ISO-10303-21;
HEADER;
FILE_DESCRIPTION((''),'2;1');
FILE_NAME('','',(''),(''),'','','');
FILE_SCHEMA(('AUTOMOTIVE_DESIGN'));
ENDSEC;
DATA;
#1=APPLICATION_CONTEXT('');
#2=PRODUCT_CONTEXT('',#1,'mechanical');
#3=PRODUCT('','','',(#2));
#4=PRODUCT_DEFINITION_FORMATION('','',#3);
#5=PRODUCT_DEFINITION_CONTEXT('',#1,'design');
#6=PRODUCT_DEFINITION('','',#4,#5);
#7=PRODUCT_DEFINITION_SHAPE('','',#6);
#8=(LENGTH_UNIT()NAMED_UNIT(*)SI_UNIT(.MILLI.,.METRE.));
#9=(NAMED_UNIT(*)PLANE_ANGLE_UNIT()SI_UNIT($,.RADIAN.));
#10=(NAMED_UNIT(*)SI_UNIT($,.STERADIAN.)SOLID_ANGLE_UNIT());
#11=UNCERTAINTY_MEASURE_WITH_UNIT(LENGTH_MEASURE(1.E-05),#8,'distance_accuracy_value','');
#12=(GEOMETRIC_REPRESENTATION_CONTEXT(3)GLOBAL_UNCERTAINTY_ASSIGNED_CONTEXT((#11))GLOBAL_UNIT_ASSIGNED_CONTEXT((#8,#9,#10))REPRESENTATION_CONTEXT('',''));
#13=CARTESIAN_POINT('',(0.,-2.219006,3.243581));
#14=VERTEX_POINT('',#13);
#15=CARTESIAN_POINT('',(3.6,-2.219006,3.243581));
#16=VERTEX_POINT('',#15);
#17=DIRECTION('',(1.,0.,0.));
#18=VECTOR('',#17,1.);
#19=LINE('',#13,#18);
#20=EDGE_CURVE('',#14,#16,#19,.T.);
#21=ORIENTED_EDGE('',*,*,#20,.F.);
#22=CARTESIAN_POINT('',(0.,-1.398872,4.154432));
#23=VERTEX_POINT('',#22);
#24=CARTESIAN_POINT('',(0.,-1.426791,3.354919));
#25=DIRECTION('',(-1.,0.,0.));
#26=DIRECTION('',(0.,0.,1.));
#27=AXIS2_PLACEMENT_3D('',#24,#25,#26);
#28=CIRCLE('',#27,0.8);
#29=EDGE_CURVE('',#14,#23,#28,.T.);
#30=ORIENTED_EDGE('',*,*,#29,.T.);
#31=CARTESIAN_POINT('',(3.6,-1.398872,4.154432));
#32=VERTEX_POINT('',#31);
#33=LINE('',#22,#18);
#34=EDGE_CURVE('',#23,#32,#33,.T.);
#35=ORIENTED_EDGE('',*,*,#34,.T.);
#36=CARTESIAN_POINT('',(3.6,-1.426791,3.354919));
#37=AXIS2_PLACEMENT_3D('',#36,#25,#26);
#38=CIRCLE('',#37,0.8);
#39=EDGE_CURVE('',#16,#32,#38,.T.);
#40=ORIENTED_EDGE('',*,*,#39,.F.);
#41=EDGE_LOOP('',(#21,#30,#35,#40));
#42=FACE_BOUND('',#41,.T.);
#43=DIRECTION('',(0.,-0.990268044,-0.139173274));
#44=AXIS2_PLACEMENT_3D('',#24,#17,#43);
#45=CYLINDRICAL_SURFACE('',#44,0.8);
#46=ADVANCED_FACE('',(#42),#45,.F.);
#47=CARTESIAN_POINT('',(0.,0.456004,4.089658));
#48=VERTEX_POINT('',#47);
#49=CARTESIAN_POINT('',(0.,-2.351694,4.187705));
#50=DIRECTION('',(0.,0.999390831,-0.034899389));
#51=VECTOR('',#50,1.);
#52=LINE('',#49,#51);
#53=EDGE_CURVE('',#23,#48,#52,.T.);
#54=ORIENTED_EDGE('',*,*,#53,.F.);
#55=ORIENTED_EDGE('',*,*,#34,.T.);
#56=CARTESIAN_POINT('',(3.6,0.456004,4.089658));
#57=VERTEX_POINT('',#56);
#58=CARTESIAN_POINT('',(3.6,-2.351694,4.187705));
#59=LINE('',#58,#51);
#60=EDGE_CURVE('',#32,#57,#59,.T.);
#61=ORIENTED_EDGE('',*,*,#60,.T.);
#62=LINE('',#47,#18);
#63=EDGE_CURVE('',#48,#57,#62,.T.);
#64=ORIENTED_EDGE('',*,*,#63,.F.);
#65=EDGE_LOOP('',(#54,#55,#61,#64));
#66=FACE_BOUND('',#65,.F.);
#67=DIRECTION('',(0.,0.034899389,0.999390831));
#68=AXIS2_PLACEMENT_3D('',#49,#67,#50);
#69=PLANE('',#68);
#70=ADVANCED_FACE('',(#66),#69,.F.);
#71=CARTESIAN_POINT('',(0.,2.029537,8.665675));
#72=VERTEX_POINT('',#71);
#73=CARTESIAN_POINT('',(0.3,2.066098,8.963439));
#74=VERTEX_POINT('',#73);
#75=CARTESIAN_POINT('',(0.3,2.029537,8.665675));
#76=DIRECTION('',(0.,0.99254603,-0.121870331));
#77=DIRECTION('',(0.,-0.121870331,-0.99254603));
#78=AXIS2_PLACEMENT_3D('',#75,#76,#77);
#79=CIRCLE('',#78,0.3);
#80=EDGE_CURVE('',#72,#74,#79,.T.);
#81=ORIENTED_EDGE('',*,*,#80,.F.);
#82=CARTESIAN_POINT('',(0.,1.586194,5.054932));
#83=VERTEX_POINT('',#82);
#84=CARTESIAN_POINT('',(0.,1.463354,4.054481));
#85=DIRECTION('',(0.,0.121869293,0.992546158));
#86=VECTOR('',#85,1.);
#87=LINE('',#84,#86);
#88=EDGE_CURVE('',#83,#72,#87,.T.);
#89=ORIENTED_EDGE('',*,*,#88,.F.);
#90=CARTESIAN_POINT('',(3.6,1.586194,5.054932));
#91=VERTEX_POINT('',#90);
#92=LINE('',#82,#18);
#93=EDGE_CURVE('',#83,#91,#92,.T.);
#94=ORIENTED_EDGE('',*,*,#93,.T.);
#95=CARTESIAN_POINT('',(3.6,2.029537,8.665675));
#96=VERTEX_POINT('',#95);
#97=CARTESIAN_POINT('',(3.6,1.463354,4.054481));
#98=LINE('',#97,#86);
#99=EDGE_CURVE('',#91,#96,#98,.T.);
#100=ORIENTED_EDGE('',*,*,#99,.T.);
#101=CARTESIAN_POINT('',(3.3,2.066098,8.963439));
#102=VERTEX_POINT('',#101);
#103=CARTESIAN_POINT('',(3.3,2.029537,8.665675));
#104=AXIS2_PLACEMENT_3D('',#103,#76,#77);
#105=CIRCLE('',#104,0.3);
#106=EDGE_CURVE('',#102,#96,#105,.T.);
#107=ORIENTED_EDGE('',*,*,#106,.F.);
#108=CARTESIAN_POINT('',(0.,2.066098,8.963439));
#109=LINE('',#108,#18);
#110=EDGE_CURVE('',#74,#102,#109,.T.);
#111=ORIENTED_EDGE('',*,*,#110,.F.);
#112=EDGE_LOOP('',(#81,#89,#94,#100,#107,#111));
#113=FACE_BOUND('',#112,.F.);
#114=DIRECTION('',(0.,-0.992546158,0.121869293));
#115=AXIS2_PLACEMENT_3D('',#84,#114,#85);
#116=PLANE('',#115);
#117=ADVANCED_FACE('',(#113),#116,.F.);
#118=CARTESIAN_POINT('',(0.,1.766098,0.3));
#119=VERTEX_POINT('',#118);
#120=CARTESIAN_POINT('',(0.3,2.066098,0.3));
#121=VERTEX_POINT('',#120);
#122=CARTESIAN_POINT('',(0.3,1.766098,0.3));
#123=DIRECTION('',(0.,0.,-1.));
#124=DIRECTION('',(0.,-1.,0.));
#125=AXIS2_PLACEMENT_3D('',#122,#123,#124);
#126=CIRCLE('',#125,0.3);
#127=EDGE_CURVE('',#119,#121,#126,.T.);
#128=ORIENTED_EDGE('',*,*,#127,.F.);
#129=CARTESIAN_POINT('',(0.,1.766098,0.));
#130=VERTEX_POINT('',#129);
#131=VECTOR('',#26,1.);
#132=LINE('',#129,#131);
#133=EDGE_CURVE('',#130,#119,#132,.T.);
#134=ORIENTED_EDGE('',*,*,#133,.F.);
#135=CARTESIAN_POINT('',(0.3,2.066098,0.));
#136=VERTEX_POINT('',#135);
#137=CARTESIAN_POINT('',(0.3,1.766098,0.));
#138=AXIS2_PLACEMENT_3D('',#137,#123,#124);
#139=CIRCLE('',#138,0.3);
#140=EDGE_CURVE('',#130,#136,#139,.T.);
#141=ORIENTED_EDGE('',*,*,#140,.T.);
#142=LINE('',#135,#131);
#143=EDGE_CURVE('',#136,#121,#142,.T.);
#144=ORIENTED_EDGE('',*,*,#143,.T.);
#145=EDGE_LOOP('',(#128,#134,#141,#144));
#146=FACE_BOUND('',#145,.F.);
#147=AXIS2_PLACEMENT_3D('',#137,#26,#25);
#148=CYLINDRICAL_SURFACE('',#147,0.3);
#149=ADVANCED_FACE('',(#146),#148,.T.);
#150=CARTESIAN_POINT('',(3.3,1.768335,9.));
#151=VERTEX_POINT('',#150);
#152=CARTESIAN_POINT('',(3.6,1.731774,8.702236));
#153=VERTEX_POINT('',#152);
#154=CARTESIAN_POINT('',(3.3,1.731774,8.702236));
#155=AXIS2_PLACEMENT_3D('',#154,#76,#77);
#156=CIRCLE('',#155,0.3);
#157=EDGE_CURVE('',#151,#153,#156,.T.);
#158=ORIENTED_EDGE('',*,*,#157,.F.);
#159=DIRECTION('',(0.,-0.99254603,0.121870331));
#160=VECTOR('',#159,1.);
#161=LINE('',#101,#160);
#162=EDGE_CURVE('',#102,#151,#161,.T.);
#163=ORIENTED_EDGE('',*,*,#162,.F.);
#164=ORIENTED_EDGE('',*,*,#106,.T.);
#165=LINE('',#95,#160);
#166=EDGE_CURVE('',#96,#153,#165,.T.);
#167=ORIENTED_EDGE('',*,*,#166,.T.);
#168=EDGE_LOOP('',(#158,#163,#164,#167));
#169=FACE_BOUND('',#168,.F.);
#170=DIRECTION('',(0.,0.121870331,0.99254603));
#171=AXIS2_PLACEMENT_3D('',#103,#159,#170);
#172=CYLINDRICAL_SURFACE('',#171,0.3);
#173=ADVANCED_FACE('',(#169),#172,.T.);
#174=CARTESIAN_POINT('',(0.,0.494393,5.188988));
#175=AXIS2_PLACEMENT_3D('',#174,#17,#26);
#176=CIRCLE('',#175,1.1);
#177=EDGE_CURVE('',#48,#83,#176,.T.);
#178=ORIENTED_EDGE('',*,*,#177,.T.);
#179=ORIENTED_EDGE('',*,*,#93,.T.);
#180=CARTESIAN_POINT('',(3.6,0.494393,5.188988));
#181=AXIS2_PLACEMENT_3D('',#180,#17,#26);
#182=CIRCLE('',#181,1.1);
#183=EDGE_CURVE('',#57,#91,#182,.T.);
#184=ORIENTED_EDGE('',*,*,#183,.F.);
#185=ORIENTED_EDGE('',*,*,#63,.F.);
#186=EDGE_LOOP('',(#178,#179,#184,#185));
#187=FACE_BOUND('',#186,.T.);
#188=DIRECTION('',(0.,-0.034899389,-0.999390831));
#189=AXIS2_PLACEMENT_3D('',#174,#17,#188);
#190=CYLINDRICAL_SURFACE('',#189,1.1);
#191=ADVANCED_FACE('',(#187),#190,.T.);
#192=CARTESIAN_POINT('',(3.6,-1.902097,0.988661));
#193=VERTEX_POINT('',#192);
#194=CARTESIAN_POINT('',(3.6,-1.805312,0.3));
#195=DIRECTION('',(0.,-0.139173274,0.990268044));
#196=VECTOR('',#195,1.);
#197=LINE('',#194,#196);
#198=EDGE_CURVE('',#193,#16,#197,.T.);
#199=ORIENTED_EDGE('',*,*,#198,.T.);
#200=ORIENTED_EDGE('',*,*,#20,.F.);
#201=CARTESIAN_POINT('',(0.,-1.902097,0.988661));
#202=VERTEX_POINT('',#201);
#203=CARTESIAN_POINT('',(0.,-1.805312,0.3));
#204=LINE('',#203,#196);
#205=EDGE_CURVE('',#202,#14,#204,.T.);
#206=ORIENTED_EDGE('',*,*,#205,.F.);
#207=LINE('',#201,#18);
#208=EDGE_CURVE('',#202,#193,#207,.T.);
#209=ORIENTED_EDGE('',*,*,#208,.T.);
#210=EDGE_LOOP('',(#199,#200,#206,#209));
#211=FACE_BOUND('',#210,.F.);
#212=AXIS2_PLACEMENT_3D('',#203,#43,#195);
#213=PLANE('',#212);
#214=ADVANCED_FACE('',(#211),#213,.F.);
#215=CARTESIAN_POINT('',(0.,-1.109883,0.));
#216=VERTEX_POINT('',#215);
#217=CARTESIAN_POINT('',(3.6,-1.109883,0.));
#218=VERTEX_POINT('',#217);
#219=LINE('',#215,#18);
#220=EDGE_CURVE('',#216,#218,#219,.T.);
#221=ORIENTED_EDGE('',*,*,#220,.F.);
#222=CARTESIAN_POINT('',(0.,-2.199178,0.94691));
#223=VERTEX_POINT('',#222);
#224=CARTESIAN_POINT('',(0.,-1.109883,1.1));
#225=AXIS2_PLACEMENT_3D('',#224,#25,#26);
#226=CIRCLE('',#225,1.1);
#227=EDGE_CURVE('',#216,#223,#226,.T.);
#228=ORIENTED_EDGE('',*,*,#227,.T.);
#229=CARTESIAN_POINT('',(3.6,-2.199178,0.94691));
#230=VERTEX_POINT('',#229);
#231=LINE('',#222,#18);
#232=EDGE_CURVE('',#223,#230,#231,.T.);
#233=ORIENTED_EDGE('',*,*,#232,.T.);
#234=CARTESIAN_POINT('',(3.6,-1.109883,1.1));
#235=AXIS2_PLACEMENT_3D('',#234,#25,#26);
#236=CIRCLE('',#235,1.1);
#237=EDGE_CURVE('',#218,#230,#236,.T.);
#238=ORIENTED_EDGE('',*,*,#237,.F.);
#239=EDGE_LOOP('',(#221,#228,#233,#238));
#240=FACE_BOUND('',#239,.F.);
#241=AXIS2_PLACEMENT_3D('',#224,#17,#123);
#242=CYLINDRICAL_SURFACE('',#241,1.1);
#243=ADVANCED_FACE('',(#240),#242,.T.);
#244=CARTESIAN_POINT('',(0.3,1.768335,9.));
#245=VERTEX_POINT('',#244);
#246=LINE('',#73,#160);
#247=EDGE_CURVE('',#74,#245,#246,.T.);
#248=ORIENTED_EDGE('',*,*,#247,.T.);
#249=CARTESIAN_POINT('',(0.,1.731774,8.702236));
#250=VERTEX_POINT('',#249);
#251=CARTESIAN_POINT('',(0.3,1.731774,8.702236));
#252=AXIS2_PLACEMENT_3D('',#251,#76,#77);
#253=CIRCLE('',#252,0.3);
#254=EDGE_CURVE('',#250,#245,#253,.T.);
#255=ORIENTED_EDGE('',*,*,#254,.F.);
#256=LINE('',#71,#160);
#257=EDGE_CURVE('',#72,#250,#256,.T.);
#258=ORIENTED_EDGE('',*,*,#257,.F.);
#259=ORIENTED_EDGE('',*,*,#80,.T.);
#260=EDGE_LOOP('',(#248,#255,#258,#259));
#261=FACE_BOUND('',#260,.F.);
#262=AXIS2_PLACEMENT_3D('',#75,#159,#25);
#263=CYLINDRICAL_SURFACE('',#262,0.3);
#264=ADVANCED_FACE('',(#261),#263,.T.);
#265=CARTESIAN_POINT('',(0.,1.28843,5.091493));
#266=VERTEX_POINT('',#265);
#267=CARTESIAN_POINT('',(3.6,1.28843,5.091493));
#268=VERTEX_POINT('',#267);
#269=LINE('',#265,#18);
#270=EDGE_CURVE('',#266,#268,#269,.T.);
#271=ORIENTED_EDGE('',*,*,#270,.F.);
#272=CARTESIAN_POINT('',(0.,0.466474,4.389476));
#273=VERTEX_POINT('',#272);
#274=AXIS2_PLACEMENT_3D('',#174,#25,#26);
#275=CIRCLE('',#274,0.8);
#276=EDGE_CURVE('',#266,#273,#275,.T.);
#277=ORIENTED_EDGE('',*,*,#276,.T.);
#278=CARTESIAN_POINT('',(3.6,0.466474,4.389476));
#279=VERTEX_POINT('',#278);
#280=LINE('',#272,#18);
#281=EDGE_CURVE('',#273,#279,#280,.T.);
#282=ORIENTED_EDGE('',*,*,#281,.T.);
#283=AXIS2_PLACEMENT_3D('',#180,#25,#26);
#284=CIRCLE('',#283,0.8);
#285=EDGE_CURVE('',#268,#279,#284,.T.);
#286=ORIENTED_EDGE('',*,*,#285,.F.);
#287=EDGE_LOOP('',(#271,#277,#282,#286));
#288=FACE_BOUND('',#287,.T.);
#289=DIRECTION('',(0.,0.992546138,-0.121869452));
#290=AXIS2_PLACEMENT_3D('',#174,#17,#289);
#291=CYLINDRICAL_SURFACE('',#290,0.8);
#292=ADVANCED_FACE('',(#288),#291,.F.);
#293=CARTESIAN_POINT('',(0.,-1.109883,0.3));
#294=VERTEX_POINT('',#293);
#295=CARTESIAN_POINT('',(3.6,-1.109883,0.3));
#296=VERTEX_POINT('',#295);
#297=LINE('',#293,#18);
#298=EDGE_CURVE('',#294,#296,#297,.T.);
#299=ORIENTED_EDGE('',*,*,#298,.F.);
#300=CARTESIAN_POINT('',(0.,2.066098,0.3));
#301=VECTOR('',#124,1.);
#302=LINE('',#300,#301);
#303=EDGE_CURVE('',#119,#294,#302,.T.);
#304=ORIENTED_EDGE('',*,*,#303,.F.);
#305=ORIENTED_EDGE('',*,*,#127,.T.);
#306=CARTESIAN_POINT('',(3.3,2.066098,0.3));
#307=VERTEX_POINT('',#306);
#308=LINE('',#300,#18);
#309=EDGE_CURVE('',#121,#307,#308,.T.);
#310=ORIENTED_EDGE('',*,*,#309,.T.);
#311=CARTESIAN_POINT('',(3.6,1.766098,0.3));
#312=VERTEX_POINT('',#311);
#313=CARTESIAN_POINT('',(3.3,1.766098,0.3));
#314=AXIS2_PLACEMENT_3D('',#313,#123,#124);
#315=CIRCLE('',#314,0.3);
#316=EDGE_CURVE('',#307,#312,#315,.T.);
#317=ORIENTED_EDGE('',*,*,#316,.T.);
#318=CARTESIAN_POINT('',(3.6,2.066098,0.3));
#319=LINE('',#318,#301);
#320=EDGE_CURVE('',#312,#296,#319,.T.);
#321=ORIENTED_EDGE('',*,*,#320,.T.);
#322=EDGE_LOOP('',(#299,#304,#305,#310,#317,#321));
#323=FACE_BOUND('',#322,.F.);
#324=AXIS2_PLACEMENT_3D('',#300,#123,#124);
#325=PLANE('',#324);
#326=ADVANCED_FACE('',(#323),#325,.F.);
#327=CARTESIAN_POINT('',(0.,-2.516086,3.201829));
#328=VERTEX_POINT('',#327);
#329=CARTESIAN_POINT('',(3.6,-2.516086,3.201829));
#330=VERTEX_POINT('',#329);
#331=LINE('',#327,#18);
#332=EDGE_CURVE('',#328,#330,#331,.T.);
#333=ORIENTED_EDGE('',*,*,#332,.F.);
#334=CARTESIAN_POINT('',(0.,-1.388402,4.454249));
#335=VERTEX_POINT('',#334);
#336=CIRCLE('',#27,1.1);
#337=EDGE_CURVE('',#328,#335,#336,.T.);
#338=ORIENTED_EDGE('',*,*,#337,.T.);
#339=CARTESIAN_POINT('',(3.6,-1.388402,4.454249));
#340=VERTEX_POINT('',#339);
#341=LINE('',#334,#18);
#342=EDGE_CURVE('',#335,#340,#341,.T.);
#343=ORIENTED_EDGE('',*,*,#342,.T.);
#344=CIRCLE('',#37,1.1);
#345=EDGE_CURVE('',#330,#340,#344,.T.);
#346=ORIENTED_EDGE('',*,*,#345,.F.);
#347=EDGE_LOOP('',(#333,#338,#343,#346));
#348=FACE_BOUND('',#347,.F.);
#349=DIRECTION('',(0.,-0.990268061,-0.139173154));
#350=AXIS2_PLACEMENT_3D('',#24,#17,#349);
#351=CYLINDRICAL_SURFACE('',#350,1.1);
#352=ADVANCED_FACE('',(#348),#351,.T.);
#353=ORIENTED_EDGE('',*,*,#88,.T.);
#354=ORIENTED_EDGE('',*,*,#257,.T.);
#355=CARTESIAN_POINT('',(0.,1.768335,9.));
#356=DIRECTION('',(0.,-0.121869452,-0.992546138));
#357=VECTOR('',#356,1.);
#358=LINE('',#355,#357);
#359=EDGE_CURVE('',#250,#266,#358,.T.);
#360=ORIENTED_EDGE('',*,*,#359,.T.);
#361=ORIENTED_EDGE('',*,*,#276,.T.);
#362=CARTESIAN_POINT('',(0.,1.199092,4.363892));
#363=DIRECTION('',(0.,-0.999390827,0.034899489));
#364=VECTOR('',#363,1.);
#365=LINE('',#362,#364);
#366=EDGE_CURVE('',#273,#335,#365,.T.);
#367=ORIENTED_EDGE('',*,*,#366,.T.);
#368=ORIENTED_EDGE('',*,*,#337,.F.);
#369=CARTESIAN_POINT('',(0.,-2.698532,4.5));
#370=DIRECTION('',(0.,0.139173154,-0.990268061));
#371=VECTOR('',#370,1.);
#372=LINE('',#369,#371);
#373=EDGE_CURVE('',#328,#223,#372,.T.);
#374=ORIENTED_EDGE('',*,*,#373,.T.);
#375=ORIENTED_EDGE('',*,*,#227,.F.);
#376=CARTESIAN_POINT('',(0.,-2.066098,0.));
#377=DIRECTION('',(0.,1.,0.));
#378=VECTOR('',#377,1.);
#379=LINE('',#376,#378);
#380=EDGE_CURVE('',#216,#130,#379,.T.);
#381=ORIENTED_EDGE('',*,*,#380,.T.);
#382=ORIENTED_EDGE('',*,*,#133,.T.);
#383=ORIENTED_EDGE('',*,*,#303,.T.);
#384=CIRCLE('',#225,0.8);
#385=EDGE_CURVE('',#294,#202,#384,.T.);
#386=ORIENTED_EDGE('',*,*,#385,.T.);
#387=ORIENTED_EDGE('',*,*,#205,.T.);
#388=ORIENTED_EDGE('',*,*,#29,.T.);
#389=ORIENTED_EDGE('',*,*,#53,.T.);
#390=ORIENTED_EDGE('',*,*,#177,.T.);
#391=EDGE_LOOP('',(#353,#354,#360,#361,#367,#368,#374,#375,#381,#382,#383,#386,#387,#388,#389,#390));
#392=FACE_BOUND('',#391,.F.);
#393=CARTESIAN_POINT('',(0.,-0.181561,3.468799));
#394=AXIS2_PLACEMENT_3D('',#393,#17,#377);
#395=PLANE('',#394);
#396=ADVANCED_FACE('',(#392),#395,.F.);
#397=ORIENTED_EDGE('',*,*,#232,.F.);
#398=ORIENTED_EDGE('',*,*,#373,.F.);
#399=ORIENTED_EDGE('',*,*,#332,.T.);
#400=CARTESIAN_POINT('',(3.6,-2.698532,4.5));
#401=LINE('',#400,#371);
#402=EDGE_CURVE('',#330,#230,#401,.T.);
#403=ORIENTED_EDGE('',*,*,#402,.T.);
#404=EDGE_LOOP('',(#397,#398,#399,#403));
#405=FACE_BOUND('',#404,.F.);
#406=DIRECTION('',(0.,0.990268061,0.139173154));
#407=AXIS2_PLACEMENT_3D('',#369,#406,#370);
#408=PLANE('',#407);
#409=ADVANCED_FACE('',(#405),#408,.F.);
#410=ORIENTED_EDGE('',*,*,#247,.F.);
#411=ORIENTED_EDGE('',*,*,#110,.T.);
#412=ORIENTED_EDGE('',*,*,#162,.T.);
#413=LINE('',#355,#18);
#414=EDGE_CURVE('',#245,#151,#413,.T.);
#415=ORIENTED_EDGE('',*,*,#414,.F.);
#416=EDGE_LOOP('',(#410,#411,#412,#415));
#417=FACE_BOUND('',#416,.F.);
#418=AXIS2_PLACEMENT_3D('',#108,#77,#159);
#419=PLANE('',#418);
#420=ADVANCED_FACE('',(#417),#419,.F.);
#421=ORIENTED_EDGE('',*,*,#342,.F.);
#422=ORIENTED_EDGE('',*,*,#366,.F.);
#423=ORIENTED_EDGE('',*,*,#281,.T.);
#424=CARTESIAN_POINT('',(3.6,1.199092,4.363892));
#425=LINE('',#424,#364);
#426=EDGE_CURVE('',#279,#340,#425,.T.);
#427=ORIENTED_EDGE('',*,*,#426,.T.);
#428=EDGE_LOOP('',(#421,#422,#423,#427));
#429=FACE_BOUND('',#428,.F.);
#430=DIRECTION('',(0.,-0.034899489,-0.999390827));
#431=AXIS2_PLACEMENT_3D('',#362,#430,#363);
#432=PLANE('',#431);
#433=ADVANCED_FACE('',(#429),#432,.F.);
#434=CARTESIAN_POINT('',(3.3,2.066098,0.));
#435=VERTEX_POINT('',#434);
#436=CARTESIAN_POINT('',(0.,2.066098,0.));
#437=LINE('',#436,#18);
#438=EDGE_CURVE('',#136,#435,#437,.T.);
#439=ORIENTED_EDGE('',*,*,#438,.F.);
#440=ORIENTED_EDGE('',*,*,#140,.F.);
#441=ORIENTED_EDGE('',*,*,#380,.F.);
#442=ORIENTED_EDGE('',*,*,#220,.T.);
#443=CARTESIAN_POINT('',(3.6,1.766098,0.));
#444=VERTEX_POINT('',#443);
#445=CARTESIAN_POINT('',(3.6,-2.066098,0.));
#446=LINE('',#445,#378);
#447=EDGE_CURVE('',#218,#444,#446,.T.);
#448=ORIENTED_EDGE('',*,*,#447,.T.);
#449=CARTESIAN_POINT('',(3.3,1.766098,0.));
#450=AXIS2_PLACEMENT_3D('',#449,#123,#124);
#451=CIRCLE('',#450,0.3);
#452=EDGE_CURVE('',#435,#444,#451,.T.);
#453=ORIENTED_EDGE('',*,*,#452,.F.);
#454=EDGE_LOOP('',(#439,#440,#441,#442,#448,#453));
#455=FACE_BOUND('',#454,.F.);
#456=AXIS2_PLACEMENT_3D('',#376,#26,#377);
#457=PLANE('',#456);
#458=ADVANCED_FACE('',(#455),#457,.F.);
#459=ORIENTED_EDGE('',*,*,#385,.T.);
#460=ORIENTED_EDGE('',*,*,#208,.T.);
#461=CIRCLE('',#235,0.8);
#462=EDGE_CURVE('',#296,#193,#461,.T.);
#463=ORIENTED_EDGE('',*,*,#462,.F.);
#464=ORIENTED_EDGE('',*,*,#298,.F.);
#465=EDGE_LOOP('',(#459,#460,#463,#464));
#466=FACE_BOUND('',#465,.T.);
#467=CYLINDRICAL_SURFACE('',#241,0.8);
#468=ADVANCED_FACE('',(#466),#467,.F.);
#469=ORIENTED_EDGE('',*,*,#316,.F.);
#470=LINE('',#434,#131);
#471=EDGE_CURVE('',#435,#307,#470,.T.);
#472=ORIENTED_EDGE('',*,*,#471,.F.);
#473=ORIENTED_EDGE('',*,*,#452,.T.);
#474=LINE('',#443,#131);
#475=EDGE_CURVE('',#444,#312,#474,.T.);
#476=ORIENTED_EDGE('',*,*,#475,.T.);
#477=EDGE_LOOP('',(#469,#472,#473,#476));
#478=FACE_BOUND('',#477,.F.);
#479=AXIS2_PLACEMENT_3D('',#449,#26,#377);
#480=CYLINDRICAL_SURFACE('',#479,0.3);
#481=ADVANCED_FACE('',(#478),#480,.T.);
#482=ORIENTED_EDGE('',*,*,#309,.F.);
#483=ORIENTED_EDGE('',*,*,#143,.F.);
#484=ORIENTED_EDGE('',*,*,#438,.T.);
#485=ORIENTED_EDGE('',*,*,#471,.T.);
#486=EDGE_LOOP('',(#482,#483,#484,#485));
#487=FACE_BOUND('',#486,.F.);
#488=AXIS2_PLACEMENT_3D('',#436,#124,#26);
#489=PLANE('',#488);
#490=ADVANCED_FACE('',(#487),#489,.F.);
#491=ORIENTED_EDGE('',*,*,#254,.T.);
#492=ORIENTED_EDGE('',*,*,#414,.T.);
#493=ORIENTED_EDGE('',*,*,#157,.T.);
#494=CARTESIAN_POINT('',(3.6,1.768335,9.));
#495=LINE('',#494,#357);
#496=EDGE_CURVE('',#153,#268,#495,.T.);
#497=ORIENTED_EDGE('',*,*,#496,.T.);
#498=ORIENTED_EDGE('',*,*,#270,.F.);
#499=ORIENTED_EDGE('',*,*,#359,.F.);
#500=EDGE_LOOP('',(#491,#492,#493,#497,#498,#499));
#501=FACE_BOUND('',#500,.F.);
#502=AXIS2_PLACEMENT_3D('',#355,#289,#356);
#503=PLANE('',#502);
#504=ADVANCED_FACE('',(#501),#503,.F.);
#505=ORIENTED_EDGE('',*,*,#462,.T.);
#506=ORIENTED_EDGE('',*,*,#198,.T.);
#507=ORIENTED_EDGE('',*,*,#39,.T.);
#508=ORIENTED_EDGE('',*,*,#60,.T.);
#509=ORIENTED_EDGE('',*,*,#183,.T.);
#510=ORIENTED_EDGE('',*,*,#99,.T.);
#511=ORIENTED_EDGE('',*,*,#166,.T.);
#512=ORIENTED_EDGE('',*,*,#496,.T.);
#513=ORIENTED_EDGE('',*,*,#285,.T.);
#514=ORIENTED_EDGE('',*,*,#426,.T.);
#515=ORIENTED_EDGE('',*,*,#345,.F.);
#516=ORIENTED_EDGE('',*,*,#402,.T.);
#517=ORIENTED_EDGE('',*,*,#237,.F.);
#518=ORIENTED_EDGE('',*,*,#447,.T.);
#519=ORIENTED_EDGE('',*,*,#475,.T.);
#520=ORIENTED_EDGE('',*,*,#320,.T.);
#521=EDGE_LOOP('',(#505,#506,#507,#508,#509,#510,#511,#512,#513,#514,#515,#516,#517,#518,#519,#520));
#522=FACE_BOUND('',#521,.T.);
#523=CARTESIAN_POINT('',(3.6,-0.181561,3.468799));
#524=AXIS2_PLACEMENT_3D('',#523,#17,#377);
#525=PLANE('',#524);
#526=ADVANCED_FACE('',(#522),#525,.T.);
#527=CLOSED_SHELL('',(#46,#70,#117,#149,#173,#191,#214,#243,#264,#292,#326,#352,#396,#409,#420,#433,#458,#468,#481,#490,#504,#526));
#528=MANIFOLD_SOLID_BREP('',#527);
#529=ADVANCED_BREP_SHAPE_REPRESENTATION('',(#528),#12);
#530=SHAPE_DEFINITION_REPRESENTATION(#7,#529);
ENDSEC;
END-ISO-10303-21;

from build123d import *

# Parameters (mm, degrees)
F1_DEPTH = 3.6
F2_R     = 0.8
F3_R     = 1.1
F4_R     = 0.3


with BuildPart() as f1:
    # F0 (on Right) → F1 (new body)
    with BuildSketch(Plane.YZ):
        Polygon((-2.066098, 0), (2.066098, 0), (2.066098, 0.3), (-1.805312, 0.3), (-2.351694, 4.187705), (1.463354, 4.054481), (2.066098, 8.963439), (1.768335, 9), (1.199092, 4.363892), (-2.698532, 4.5), align=None)
    extrude(amount=F1_DEPTH)

    # F2
    f2_edges = [f1.edges().sort_by_distance(p)[0] for p in [
        (1.8, -2.351694, 4.187705),
        (1.8, -1.805312, 0.3),
        (1.8, 1.199092, 4.363892),
    ]]
    fillet(f2_edges, radius=F2_R)

    # F3
    f3_edges = [f1.edges().sort_by_distance(p)[0] for p in [
        (1.8, -2.698532, 4.5),
        (1.8, 1.463354, 4.054481),
        (1.8, -2.066098, 0),
    ]]
    fillet(f3_edges, radius=F3_R)

    # F4
    f4_edges = [f1.edges().sort_by_distance(p)[0] for p in [
        (3.6, 1.917216, 8.98172),
        (0, 1.917216, 8.98172),
        (3.6, 2.066098, 0.15),
        (0, 2.066098, 0.15),
    ]]
    fillet(f4_edges, radius=F4_R)


solid = f1.part
